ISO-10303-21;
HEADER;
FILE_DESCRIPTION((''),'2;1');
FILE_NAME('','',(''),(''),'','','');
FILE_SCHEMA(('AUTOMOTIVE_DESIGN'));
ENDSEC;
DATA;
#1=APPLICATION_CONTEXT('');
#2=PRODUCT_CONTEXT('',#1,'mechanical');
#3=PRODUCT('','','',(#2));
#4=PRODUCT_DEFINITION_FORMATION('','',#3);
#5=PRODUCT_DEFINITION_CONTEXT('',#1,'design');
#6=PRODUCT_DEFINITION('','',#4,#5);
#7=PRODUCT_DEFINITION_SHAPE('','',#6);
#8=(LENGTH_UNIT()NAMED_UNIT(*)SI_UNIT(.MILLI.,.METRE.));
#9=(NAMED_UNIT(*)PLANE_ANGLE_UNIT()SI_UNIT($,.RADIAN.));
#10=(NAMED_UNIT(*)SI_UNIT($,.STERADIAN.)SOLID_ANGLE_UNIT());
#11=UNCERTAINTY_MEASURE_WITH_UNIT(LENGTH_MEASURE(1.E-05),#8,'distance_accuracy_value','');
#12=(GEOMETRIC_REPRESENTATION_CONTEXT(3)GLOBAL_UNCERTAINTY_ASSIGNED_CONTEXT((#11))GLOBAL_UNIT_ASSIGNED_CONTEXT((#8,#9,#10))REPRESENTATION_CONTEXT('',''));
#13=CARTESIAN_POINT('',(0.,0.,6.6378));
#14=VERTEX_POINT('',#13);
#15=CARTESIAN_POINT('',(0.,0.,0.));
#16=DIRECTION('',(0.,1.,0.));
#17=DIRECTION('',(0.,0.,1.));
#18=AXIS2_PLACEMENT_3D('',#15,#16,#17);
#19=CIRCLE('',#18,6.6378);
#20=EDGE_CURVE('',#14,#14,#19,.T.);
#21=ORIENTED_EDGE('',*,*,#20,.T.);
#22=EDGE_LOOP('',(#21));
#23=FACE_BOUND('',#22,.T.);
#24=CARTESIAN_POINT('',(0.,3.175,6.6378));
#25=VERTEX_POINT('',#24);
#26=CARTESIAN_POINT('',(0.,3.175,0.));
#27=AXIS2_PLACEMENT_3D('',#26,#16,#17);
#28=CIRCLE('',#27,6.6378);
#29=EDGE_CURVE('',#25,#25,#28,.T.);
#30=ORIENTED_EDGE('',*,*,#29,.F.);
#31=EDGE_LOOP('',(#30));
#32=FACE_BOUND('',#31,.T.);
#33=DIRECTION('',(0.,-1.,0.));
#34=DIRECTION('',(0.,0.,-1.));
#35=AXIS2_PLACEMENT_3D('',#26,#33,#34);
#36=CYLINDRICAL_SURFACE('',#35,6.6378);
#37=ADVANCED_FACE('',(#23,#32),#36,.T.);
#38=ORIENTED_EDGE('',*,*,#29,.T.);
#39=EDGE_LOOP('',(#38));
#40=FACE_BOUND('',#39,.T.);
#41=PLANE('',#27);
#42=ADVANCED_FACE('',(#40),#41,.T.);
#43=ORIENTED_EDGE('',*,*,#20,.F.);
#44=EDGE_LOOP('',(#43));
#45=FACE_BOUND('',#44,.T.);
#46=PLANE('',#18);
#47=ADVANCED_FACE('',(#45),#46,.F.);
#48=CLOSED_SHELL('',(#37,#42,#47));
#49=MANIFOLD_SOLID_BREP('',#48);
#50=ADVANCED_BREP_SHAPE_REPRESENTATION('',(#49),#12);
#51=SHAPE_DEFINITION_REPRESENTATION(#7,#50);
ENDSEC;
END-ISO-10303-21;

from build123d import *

# Parameters (mm, degrees)
SKETCH1_R           = 6.6378
BOSS_EXTRUDE1_DEPTH = 3.175


with BuildPart() as part:
    # Sketch1 → Boss-Extrude1 (new body)
    with BuildSketch(Plane(origin=(0, 0, 0), x_dir=(1, 0, 0), z_dir=(0, 1, 0))):
        Circle(SKETCH1_R)
    extrude(amount=BOSS_EXTRUDE1_DEPTH)


solid = part.part
